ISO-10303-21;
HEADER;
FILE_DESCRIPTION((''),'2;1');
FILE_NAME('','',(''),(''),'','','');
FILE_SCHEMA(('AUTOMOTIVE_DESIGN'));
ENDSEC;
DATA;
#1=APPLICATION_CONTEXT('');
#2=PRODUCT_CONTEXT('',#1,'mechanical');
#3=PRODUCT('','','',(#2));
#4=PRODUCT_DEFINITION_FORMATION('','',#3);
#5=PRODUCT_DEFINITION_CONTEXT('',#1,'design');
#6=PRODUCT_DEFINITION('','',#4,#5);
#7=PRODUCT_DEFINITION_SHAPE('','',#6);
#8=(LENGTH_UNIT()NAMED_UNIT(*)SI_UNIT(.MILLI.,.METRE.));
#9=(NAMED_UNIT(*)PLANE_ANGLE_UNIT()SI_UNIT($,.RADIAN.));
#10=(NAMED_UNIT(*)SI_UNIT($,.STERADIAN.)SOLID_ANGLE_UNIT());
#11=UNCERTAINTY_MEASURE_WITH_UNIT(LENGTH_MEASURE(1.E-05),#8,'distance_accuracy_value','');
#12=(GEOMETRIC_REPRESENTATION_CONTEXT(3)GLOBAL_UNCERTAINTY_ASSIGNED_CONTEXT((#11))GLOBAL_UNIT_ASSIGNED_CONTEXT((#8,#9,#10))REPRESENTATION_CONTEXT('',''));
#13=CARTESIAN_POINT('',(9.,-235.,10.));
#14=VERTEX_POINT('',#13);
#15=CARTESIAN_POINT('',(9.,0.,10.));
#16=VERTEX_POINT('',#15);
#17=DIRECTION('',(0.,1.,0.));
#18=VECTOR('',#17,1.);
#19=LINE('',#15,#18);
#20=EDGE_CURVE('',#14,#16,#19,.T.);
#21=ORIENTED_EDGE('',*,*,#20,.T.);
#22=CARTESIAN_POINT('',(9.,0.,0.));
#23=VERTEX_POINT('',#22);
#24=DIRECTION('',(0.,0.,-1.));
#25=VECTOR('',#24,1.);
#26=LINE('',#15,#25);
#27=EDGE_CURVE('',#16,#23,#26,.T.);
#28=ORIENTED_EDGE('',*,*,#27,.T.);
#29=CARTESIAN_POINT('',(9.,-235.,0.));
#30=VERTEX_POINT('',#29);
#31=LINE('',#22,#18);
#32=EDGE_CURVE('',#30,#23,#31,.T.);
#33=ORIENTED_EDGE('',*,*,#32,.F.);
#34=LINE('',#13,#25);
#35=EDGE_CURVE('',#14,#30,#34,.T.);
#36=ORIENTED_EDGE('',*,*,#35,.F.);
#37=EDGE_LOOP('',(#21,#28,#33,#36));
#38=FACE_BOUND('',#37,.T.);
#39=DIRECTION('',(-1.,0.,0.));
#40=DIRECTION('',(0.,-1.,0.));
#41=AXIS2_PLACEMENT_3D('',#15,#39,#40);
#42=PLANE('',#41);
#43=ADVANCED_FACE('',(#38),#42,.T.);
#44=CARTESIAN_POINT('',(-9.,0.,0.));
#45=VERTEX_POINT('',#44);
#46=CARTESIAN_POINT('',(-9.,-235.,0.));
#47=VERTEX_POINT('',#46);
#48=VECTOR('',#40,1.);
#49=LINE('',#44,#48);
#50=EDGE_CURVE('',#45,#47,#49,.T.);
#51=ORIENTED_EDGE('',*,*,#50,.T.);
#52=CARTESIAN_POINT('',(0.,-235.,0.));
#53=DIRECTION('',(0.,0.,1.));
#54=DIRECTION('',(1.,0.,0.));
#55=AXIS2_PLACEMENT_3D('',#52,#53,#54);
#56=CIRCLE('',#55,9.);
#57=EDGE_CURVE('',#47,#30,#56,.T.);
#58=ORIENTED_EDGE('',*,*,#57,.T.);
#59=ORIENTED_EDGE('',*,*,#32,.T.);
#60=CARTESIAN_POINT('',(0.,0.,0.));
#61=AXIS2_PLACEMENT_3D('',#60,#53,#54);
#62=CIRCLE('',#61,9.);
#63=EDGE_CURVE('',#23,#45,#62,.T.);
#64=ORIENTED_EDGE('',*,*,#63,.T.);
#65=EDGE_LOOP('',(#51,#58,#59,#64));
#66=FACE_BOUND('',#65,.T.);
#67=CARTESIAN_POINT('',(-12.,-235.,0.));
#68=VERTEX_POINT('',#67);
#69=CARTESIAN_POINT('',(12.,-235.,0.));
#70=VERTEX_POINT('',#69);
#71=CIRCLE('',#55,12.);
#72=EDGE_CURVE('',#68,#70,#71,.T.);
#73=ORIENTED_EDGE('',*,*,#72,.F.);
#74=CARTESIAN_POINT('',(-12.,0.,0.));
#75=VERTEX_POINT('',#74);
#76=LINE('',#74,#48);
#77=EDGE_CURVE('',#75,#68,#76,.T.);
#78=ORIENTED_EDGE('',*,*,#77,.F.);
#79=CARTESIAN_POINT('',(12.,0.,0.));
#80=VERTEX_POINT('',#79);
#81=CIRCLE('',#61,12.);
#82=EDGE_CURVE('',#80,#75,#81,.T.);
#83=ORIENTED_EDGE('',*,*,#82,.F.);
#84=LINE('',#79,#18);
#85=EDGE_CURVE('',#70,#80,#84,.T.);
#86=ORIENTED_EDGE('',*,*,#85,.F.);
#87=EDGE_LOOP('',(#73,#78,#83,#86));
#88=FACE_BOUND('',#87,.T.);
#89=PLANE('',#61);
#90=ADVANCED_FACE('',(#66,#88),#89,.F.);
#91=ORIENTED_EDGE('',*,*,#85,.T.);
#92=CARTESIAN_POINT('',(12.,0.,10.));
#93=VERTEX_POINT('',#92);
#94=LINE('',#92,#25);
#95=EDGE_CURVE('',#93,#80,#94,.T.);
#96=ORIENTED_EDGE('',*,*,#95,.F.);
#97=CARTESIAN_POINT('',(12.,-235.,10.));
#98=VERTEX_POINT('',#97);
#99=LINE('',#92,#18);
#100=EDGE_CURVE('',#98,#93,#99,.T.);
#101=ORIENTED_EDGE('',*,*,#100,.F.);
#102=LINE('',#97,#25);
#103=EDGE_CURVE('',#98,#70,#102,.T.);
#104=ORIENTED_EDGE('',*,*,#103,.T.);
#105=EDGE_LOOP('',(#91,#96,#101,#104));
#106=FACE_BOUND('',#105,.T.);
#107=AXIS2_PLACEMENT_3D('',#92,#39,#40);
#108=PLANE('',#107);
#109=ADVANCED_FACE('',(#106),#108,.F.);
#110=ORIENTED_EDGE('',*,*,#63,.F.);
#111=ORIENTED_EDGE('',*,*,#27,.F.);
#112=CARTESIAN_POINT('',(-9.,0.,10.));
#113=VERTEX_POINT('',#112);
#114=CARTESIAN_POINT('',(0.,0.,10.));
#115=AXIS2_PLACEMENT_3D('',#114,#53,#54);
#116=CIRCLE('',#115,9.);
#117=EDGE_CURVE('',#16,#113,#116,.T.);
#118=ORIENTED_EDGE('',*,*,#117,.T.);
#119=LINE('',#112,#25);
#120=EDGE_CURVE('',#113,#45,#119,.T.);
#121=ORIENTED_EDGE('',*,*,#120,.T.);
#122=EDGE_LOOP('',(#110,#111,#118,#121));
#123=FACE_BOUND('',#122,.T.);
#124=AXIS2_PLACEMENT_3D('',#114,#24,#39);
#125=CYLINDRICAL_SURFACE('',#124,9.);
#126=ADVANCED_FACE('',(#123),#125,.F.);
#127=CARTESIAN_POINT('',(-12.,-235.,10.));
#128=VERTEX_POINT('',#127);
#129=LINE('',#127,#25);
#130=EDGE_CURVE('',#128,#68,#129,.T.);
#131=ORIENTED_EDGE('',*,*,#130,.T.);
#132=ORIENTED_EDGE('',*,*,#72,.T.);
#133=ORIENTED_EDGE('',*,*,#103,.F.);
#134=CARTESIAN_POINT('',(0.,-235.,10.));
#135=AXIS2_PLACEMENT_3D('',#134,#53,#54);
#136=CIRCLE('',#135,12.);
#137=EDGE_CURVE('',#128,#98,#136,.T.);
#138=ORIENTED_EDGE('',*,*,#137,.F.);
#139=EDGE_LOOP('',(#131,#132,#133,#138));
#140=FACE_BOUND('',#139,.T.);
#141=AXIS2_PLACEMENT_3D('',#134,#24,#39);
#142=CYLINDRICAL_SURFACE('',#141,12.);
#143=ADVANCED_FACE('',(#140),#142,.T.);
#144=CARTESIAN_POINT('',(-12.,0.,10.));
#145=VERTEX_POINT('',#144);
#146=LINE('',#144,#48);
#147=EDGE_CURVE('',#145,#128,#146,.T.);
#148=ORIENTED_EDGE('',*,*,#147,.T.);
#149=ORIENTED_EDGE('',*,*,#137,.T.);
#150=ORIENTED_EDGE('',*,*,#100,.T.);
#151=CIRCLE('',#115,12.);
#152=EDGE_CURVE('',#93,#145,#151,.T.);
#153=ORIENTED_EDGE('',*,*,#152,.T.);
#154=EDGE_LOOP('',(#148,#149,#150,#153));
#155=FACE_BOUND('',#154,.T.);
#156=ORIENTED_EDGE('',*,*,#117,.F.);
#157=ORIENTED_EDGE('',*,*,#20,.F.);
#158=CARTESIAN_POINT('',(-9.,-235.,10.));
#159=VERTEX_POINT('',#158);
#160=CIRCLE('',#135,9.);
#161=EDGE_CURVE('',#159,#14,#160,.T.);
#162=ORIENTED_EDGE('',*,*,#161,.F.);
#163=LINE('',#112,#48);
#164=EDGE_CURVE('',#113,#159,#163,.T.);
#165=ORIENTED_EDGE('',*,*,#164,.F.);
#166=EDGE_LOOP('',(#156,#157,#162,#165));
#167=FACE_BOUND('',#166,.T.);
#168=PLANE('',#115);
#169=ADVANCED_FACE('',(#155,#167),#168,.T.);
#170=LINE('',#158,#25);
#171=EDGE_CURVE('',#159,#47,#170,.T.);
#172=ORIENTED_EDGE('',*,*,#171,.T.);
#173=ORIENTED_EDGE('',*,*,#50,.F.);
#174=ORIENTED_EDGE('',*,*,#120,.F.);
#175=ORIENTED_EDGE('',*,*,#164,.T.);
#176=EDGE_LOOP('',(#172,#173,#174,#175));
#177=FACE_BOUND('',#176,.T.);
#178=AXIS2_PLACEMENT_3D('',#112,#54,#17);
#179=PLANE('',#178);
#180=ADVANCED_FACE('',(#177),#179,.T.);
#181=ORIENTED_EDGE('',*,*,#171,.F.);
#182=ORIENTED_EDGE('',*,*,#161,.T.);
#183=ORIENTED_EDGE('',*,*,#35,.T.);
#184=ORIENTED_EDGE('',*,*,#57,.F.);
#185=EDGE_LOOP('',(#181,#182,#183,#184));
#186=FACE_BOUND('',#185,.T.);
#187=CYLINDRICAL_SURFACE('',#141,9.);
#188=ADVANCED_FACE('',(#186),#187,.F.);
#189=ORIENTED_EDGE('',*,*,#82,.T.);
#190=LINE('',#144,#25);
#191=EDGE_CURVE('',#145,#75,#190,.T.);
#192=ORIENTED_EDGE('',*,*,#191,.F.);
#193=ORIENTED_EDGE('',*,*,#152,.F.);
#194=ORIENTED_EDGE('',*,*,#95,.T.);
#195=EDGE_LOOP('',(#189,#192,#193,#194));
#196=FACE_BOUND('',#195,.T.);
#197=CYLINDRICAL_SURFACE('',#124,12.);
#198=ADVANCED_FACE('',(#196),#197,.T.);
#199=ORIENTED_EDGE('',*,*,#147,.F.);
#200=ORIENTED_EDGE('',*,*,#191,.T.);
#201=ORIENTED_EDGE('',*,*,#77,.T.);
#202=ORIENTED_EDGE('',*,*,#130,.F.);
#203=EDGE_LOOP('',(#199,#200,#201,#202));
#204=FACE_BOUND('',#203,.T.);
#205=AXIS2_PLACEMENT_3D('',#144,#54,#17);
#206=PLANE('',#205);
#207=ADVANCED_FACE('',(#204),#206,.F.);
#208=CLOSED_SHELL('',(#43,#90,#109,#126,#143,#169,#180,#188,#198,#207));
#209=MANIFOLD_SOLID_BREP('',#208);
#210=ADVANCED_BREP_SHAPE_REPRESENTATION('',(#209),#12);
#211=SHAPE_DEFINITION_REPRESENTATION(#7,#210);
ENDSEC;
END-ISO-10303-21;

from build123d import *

# Parameters (mm, degrees)
EXTRUDE_1_DEPTH = 10


with BuildPart() as part:
    # 草图1 → 凸台-拉伸1 (new body)
    with BuildSketch(Plane.XY):
        with BuildLine():
            Line((12, 0), (12, -235))
            ThreePointArc((12, -235), (0, -247), (-12, -235))
            Line((-12, -235), (-12, 0))
            ThreePointArc((-12, 0), (0, 12), (12, 0))
        make_face()
        with BuildLine():
            Line((9, 0), (9, -235))
            ThreePointArc((9, -235), (0, -244), (-9, -235))
            Line((-9, -235), (-9, 0))
            ThreePointArc((-9, 0), (0, 9), (9, 0))
        make_face(mode=Mode.SUBTRACT)
    extrude(amount=EXTRUDE_1_DEPTH)


solid = part.part
